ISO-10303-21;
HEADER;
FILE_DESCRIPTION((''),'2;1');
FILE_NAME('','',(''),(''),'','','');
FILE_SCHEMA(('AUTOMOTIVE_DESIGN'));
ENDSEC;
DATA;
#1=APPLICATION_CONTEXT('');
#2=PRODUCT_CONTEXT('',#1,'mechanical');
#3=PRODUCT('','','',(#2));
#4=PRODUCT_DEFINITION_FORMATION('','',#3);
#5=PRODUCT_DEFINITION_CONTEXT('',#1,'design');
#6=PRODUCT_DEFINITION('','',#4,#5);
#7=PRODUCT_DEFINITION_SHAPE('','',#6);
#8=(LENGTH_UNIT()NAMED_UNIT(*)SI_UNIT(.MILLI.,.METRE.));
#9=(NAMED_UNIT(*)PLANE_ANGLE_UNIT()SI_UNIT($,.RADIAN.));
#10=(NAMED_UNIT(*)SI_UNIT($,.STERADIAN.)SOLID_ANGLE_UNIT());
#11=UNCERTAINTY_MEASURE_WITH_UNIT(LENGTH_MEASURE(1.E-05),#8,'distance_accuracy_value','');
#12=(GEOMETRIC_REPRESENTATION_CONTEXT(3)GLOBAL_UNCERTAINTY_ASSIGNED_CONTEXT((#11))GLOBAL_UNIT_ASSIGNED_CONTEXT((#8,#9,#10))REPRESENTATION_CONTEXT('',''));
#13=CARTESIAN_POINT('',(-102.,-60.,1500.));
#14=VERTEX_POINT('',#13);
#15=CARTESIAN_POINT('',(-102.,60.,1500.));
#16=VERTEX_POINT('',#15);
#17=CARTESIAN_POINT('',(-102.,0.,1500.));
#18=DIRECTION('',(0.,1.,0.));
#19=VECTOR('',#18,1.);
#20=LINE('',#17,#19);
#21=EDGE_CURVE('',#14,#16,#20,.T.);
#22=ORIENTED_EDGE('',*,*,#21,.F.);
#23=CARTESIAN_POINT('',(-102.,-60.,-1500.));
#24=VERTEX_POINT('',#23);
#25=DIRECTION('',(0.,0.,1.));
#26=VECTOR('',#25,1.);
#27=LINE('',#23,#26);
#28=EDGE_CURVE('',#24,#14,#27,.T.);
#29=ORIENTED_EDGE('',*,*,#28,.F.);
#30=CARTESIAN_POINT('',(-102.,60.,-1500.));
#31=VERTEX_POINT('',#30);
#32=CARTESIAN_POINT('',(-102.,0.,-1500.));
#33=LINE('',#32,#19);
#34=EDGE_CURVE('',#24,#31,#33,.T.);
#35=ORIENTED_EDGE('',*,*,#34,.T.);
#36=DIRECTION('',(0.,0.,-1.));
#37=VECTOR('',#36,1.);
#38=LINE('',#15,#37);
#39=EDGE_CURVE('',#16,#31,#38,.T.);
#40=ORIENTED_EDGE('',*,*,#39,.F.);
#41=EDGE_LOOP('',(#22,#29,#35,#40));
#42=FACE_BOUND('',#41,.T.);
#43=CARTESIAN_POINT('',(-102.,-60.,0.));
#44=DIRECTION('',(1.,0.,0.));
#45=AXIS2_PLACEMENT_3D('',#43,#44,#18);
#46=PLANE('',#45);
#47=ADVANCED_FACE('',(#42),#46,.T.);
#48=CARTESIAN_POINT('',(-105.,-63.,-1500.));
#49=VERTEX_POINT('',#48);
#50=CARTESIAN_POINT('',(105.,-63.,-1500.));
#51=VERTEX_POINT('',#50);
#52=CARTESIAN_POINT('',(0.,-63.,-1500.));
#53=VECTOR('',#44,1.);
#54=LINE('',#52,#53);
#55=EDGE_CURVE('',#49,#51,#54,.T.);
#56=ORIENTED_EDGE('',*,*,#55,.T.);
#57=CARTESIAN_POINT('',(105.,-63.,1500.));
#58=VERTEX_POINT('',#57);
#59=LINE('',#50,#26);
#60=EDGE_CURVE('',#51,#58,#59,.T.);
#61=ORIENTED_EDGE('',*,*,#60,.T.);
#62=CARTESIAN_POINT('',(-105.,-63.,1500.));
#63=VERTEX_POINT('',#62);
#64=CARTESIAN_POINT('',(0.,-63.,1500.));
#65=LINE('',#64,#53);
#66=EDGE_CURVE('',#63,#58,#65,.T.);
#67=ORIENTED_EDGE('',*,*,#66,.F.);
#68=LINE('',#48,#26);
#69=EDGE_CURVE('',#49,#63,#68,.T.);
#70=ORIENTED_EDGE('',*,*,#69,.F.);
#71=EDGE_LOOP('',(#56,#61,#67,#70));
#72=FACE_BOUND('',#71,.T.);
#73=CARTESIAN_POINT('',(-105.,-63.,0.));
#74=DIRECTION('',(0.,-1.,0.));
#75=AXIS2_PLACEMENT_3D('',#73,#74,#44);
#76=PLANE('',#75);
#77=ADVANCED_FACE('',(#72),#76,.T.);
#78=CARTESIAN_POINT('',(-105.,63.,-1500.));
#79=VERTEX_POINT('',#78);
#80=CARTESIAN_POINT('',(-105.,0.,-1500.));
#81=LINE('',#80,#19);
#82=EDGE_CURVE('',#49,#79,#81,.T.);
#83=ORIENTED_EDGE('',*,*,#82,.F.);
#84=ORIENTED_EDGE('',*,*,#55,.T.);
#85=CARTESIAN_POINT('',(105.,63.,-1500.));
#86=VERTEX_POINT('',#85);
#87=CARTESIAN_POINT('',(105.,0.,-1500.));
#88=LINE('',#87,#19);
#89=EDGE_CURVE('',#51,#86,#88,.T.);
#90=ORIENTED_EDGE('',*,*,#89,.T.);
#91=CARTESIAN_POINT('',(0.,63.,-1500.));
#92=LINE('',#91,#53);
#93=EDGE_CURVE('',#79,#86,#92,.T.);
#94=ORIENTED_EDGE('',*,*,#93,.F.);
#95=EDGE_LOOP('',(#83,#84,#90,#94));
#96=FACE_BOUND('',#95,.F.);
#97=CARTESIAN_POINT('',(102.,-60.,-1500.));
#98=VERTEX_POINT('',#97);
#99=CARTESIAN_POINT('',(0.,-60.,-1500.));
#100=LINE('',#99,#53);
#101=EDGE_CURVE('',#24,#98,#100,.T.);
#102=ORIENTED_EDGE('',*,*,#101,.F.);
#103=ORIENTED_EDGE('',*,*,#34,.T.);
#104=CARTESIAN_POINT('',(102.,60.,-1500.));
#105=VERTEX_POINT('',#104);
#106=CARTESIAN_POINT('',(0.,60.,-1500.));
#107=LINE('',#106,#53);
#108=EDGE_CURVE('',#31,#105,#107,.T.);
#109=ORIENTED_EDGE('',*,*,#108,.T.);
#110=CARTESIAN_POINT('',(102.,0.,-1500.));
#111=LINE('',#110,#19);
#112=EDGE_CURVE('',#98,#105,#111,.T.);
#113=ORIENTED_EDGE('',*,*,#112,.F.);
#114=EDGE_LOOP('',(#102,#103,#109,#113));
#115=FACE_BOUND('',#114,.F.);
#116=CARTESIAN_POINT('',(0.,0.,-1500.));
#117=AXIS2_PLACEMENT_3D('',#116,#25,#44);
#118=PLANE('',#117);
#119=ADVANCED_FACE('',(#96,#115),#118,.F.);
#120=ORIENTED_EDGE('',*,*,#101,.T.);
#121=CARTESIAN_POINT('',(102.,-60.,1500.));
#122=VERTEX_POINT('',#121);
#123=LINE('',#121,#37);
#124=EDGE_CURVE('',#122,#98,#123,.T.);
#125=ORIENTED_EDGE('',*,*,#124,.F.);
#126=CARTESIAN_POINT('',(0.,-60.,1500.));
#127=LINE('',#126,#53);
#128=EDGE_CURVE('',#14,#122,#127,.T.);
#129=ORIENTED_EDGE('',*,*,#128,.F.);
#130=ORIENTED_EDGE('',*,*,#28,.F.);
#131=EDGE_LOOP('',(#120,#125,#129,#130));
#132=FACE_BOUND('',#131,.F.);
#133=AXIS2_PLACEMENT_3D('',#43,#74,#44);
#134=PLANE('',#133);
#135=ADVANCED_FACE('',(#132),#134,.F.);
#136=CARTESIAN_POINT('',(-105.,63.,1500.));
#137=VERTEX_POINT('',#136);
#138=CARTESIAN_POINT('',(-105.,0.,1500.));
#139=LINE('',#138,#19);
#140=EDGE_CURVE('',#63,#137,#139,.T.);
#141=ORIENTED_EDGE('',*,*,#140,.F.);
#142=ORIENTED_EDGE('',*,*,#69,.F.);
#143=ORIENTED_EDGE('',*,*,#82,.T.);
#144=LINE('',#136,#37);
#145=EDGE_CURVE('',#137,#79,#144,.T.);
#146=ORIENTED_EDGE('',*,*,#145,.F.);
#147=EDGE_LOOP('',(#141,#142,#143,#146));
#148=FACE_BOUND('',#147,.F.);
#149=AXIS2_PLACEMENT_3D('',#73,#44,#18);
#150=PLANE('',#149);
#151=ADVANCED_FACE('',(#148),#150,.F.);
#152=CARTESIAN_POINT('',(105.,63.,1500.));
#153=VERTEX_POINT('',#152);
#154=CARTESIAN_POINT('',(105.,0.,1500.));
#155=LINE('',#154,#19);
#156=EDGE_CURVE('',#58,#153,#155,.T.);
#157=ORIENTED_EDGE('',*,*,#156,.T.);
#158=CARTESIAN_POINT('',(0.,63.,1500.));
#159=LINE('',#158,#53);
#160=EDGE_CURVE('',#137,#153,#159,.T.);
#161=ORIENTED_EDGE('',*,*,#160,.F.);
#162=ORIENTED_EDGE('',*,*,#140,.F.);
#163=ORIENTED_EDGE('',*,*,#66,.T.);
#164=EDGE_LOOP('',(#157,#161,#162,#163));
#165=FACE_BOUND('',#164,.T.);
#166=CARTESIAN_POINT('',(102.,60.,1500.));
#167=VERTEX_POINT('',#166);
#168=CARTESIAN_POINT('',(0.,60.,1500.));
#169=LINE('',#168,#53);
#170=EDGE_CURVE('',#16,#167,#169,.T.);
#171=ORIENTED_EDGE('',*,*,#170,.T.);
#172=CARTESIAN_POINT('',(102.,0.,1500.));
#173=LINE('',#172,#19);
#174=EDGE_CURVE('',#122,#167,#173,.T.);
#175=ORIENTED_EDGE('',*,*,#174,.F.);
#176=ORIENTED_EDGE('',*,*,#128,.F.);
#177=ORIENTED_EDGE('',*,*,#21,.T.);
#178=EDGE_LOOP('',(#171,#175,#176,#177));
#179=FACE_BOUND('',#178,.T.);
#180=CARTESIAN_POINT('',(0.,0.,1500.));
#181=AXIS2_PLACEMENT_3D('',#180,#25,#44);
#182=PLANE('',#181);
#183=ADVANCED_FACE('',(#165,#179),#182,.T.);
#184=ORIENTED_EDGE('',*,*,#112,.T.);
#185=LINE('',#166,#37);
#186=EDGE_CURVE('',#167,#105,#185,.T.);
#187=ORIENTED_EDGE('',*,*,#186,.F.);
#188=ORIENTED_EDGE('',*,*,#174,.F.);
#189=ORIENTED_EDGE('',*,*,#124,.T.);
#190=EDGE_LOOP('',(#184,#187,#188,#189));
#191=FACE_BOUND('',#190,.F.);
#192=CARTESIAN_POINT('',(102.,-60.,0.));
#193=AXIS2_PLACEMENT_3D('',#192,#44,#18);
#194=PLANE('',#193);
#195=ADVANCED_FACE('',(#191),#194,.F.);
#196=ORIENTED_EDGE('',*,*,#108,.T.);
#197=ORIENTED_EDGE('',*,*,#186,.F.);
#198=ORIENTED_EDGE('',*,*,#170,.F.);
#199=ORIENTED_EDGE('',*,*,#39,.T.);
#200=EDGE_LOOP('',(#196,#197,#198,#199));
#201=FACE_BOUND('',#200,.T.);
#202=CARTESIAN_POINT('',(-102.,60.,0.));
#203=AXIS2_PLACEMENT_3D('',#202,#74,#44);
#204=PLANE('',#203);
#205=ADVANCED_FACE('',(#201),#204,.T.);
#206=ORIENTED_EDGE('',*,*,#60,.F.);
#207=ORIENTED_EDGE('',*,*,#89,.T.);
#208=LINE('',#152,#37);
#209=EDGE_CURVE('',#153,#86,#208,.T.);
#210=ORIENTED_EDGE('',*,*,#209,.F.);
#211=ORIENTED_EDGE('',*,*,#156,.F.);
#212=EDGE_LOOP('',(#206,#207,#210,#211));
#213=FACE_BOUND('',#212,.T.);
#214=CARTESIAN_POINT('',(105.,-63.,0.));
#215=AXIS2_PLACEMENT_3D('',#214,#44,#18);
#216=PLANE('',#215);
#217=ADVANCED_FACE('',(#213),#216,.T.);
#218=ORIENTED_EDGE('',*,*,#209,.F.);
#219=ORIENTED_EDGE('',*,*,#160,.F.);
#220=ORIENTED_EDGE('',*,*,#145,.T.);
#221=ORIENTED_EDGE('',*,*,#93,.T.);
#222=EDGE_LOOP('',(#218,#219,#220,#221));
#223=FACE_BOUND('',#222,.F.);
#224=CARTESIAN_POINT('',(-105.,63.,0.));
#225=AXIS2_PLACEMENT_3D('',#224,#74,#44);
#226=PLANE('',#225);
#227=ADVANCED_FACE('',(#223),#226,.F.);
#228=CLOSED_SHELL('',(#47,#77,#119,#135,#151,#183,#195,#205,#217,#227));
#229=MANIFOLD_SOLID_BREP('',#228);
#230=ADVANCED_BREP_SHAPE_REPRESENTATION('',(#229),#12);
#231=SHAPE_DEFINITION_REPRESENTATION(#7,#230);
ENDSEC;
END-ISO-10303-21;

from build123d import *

# Parameters (mm, degrees)
SKETCH_W   = 210
SKETCH_H   = 126
SKETCH_W_2 = 204
SKETCH_H_2 = 120
PAD_DEPTH  = 1500


with BuildPart() as part:
    # Sketch → Pad (new body, symmetric)
    with BuildSketch(Plane.XY):
        Rectangle(SKETCH_W, SKETCH_H)
        Rectangle(SKETCH_W_2, SKETCH_H_2, mode=Mode.SUBTRACT)
    extrude(amount=PAD_DEPTH, both=True)


solid = part.part
